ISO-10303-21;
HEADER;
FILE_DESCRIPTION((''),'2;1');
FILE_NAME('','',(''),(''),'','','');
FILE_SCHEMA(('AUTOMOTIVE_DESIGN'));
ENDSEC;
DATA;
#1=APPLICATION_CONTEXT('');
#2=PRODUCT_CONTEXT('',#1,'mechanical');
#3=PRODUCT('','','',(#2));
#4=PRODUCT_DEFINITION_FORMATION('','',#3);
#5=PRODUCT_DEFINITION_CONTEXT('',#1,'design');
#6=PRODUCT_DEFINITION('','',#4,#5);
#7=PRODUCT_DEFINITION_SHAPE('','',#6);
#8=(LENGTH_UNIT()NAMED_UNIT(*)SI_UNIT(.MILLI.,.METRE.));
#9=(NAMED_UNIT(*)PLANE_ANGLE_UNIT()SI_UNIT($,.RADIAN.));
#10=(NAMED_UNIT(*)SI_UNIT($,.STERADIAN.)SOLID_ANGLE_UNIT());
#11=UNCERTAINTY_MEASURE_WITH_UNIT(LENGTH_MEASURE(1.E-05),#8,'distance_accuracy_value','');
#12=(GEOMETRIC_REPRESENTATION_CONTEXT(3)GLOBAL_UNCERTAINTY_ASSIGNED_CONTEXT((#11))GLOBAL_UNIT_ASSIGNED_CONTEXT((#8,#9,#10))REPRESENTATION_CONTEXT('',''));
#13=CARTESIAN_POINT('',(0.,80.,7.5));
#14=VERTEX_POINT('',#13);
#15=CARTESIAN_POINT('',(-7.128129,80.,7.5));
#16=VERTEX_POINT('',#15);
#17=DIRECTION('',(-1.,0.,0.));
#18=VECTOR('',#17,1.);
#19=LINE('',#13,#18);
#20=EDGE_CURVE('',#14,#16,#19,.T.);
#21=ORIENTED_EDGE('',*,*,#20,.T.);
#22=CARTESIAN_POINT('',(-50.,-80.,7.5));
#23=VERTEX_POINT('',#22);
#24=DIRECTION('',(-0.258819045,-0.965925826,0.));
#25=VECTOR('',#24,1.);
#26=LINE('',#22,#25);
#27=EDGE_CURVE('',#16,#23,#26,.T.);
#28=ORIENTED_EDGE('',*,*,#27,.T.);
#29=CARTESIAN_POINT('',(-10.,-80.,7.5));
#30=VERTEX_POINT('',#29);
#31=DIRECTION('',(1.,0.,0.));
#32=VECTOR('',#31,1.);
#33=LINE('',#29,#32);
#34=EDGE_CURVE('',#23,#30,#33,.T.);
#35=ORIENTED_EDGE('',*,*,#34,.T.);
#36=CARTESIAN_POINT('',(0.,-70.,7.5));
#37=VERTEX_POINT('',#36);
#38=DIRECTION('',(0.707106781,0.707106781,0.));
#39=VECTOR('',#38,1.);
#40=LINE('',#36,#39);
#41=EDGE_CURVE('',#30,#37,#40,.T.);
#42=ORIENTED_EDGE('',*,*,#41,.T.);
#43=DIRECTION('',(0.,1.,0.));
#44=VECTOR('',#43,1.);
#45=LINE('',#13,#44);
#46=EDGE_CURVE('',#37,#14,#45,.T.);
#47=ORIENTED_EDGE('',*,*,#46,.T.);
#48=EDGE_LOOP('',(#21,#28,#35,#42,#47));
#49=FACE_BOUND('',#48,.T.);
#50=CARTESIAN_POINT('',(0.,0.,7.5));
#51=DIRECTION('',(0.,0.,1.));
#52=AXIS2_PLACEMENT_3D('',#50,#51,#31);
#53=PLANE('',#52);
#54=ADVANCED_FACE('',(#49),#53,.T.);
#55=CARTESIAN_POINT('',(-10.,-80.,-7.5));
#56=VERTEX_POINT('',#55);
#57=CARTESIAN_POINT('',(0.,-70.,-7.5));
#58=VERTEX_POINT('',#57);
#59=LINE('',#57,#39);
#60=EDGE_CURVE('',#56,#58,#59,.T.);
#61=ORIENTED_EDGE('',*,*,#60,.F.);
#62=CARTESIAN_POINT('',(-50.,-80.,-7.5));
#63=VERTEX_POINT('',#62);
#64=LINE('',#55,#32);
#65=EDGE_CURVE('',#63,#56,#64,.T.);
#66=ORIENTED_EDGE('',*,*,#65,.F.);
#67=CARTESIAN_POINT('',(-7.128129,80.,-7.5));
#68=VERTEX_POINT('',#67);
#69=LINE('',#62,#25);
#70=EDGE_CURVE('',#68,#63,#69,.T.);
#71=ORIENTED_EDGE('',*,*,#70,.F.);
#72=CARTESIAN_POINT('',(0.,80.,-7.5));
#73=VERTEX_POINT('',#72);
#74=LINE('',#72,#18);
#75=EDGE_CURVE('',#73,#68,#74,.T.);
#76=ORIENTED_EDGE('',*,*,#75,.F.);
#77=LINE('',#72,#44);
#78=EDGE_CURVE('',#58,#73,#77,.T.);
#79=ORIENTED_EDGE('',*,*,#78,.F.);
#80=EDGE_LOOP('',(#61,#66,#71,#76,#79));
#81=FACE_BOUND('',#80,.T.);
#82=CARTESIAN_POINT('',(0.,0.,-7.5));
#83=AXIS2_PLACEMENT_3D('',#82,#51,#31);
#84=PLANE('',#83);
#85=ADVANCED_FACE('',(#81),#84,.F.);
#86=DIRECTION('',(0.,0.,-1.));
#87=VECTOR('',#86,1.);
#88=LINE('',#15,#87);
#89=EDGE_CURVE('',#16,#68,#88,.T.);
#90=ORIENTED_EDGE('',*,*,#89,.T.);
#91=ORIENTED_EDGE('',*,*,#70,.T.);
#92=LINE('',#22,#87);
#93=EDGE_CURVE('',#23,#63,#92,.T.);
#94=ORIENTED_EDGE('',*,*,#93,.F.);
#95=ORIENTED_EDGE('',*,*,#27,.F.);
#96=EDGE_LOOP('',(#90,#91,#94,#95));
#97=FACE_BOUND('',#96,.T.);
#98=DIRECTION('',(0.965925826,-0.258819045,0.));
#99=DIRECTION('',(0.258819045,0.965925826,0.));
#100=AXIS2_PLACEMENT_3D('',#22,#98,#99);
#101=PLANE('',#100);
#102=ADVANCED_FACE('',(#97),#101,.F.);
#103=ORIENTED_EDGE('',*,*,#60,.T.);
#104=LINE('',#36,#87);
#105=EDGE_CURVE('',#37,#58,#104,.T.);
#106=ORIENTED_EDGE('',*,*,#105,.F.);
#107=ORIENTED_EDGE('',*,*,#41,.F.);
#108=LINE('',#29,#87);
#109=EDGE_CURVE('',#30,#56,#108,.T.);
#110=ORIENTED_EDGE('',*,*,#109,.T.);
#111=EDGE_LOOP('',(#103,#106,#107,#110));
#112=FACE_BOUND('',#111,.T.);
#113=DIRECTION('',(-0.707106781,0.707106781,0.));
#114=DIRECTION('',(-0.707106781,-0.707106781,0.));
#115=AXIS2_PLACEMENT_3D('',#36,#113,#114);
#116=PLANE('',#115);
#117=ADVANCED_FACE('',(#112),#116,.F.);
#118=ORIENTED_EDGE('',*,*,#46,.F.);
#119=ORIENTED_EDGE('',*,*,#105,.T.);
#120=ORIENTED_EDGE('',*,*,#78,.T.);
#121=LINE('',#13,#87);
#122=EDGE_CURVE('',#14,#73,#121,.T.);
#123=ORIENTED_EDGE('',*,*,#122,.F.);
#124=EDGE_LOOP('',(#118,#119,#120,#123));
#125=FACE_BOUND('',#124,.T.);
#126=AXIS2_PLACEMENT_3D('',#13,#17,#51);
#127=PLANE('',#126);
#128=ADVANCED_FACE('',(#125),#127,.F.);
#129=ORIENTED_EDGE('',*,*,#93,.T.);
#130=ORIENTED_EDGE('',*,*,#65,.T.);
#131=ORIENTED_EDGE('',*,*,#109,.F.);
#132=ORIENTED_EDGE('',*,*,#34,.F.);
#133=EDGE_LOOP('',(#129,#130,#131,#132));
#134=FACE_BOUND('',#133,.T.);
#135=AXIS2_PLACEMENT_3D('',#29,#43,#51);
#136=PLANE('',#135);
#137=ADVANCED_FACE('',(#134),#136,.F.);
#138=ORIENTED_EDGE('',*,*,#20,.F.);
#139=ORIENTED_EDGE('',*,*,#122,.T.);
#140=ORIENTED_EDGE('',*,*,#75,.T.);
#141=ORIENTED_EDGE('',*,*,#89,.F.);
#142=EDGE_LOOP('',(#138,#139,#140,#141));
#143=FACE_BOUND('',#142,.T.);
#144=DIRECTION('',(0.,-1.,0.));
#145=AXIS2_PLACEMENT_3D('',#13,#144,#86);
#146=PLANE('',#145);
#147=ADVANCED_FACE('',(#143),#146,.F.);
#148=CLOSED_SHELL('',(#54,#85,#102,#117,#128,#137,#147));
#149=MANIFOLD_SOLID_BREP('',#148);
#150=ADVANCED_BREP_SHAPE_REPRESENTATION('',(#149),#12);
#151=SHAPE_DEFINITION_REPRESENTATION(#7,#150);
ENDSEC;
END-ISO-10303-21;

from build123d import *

# Parameters (mm, degrees)
BOSS_EXTRUDE1_DEPTH = 7.5


with BuildPart() as part:
    # Sketch1 → Boss-Extrude1 (new body, symmetric)
    with BuildSketch(Plane.XY):
        Polygon((0, 80), (0, -70), (-10, -80), (-50, -80), (-7.128129211, 80), align=None)
    extrude(amount=BOSS_EXTRUDE1_DEPTH, both=True)


solid = part.part
